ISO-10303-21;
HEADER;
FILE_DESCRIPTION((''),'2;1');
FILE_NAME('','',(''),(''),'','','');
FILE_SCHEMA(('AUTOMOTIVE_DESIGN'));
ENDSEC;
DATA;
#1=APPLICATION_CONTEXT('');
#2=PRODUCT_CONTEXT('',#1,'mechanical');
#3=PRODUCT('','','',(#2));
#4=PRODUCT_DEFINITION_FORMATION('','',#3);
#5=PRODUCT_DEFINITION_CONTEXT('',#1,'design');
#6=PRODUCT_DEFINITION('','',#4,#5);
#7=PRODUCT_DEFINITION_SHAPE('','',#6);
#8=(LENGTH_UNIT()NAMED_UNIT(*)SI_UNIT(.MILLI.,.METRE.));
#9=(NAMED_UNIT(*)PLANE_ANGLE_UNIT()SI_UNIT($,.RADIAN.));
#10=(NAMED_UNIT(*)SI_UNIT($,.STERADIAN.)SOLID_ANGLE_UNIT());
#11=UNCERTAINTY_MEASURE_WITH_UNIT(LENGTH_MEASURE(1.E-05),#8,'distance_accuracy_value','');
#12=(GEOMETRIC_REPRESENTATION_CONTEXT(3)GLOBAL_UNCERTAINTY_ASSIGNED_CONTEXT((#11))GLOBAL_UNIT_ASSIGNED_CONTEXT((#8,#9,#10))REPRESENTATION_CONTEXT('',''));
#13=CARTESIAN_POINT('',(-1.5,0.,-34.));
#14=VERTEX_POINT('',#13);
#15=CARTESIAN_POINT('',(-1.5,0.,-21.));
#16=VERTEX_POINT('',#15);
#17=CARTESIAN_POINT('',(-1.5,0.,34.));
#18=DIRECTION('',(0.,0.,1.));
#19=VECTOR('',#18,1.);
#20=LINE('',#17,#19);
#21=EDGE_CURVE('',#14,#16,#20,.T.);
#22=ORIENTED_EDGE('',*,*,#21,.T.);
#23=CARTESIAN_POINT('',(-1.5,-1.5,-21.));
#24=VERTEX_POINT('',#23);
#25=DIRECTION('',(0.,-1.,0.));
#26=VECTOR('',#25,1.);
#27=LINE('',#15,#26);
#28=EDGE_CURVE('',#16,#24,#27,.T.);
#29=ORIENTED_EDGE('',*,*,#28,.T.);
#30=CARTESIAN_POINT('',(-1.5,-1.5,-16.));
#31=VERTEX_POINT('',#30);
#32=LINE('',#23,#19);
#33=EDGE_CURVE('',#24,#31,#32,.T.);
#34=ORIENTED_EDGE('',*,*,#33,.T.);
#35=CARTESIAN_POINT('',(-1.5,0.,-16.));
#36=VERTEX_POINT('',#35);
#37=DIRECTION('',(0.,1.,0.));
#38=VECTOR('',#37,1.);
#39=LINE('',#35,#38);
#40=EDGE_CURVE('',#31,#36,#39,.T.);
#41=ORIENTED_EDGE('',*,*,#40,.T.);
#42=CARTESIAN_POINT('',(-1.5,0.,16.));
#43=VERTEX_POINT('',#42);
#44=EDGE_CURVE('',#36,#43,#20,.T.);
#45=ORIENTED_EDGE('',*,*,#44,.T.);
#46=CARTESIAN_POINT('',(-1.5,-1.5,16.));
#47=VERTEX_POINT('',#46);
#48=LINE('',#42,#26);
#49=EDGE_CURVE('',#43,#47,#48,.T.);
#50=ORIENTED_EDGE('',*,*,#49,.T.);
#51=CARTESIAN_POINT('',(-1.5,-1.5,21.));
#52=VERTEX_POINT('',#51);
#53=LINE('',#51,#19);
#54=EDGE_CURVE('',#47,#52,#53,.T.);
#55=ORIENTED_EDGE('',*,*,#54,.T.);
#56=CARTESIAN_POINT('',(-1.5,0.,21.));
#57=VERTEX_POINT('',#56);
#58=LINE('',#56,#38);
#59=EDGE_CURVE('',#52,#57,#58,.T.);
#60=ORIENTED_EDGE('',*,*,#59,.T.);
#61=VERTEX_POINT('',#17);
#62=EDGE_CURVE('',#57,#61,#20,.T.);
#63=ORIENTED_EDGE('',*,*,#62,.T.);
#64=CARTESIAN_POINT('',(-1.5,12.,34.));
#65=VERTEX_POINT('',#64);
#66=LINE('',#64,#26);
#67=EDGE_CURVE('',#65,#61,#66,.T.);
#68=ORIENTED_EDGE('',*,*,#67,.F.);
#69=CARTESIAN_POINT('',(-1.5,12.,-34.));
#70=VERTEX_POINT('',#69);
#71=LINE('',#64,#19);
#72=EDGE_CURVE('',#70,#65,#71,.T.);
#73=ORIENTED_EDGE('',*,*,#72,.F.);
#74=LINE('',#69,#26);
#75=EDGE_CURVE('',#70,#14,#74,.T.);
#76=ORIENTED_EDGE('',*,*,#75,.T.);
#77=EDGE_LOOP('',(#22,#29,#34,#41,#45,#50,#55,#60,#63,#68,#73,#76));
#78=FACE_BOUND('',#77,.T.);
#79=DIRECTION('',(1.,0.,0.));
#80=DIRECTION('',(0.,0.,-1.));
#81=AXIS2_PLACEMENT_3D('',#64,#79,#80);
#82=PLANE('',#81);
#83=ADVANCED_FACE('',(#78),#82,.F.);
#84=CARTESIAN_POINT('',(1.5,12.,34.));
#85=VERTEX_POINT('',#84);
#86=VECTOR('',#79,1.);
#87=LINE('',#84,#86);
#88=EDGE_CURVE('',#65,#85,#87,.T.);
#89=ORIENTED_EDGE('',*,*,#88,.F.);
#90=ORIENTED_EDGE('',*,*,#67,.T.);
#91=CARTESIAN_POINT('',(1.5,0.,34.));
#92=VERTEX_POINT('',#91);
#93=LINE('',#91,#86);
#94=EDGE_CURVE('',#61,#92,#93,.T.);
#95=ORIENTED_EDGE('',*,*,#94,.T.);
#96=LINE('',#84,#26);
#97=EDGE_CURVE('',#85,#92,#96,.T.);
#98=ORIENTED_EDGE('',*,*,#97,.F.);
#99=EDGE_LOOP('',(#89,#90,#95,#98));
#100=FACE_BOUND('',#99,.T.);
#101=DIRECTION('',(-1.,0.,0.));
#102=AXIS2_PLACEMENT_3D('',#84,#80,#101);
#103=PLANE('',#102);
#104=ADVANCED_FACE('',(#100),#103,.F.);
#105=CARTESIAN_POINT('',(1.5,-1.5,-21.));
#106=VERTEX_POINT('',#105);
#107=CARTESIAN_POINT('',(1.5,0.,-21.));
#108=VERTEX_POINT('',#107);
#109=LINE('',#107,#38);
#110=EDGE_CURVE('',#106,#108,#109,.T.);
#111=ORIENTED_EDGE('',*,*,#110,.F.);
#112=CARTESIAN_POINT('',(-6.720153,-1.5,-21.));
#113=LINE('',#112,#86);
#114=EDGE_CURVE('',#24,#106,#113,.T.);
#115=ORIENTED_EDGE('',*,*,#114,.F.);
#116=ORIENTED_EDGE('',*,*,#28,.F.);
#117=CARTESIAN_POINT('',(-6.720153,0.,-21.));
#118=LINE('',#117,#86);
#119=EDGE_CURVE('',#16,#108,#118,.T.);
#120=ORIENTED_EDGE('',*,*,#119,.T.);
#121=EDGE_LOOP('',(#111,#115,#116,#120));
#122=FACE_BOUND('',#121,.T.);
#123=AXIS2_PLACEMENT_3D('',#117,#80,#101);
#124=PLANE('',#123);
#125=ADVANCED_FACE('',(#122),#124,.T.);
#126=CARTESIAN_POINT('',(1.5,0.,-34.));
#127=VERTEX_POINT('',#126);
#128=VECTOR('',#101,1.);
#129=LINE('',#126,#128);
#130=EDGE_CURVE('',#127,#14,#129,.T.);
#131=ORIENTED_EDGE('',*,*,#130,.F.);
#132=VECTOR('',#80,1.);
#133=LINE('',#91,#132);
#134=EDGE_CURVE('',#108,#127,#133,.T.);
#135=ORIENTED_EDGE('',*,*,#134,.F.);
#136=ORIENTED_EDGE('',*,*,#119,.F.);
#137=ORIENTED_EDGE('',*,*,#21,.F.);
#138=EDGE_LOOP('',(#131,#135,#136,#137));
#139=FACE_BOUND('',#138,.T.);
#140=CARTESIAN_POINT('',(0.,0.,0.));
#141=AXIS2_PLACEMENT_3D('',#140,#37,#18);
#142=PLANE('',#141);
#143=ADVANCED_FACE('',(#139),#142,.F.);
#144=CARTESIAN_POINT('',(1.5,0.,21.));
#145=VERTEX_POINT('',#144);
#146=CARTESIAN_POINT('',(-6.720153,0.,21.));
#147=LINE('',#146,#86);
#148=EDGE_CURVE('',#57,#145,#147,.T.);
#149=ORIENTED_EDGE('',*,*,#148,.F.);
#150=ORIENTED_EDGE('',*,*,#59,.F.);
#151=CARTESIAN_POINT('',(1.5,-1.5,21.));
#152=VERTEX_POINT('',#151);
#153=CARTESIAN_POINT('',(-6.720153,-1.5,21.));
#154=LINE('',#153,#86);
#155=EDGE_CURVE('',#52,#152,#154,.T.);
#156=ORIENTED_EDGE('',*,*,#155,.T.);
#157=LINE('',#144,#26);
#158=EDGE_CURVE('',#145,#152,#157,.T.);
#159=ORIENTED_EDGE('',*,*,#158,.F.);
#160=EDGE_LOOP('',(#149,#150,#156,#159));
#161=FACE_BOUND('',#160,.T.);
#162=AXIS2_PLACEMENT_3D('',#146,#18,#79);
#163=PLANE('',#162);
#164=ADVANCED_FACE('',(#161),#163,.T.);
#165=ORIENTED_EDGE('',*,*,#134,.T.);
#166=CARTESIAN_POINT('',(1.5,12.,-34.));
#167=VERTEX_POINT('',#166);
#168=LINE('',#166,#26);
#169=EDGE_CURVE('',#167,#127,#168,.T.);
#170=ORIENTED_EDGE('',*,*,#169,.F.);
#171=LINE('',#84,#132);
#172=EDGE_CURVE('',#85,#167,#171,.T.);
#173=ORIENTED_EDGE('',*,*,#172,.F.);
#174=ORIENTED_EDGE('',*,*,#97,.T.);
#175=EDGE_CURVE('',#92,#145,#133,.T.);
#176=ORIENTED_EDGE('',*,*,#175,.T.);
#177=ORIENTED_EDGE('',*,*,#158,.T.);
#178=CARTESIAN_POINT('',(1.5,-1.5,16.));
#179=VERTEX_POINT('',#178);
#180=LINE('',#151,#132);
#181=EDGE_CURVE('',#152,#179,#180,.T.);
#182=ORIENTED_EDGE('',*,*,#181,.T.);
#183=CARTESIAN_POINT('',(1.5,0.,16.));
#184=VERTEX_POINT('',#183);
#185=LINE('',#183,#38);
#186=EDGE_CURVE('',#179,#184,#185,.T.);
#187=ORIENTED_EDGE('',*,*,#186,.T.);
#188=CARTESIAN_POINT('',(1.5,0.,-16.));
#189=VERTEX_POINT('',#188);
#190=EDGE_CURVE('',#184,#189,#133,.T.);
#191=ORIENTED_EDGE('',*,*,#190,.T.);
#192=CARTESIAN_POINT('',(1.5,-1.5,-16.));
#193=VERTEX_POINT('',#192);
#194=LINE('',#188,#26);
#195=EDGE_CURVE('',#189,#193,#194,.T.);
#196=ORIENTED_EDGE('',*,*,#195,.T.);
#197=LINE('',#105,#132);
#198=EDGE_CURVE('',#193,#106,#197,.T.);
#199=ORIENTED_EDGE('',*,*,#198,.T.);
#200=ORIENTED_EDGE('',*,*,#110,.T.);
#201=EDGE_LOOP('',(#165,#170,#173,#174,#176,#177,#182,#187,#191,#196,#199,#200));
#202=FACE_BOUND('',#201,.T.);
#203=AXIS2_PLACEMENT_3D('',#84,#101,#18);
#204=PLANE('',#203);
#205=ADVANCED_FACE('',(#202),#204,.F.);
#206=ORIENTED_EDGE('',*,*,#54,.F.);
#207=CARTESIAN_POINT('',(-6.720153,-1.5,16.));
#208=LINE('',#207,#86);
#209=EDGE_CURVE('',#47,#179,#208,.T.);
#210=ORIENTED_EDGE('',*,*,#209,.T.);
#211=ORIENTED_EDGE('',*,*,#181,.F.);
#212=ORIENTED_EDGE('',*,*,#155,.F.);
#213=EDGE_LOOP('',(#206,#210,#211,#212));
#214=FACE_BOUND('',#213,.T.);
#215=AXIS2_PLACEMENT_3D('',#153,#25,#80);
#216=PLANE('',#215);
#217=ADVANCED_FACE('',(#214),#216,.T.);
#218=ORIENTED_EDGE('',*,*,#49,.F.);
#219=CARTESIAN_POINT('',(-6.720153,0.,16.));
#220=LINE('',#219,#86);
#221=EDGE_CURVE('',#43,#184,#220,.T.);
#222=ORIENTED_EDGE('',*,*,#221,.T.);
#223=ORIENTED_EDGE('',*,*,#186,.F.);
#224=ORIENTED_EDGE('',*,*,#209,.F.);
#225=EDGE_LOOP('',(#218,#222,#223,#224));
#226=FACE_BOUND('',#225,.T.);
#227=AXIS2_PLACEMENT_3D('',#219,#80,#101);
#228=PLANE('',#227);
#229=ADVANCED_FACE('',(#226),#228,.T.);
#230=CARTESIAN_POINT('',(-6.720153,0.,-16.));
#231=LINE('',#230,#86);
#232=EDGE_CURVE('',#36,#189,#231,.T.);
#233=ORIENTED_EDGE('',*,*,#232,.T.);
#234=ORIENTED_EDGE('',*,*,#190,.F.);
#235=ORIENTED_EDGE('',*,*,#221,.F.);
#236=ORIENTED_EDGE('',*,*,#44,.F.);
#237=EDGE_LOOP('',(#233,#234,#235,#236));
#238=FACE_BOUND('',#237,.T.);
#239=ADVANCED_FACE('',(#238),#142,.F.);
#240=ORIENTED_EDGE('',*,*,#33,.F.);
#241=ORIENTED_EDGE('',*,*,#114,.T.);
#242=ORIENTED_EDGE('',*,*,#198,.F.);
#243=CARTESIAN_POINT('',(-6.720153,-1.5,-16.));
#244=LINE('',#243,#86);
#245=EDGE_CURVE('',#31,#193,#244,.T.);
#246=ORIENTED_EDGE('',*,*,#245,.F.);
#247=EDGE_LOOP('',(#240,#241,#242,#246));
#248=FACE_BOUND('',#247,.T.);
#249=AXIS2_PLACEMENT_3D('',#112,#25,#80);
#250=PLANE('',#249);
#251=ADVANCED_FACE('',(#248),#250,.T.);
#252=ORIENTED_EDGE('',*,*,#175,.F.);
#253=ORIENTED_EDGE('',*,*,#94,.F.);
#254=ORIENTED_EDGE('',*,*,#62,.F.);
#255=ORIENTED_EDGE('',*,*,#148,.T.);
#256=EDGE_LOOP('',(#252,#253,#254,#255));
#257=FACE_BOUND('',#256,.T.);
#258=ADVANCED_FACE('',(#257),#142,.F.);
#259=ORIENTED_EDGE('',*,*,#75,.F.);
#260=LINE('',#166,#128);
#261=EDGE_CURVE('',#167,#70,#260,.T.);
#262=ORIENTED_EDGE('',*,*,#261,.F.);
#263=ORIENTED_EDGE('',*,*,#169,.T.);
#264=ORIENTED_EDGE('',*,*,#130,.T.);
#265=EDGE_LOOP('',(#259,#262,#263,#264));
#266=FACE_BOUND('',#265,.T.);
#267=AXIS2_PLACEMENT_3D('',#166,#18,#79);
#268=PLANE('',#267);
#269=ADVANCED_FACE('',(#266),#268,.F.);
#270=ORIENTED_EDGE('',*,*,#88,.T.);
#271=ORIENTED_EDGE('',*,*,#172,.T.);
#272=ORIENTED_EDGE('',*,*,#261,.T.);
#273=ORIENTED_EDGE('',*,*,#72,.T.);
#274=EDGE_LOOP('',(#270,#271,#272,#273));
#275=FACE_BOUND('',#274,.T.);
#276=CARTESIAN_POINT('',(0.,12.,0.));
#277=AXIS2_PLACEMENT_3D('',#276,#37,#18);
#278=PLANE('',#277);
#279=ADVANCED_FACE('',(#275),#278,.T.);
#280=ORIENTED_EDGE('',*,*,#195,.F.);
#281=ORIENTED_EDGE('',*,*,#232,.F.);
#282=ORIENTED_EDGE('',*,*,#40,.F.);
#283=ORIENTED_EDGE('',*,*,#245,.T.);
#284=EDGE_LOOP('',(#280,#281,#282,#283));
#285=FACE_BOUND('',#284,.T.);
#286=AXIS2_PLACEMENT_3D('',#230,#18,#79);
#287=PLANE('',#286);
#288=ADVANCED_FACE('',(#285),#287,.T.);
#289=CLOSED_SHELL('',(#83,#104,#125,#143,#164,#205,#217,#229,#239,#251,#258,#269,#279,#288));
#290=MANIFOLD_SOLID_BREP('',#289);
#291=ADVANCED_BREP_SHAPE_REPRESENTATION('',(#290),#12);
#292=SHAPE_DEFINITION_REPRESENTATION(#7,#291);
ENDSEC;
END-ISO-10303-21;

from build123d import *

# Parameters (mm, degrees)
ESBO_O1_W                = 3
ESBO_O1_H                = 68
RESSALTO_EXTRUS_O1_DEPTH = 12
ESBO_O2_W                = 5
ESBO_O2_H                = 1.5
RESSALTO_EXTRUS_O2_DEPTH = 3


with BuildPart() as part:
    # Esboço1 → Ressalto-extrusão1 (new body)
    with BuildSketch(Plane(origin=(0, 0, 0), x_dir=(1, 0, 0), z_dir=(0, 1, 0))):
        Rectangle(ESBO_O1_W, ESBO_O1_H)
    extrude(amount=RESSALTO_EXTRUS_O1_DEPTH)

    # Esboço2 → Ressalto-extrusão2 (add)
    with BuildSketch(Plane(origin=(1.5, 0, 0), x_dir=(0, 0, -1), z_dir=(1, 0, 0))):
        with Locations((-18.5, -0.75)):
            Rectangle(ESBO_O2_W, ESBO_O2_H)
        with Locations((18.5, -0.75)):
            Rectangle(ESBO_O2_W, ESBO_O2_H)
    extrude(amount=-RESSALTO_EXTRUS_O2_DEPTH)


solid = part.part
